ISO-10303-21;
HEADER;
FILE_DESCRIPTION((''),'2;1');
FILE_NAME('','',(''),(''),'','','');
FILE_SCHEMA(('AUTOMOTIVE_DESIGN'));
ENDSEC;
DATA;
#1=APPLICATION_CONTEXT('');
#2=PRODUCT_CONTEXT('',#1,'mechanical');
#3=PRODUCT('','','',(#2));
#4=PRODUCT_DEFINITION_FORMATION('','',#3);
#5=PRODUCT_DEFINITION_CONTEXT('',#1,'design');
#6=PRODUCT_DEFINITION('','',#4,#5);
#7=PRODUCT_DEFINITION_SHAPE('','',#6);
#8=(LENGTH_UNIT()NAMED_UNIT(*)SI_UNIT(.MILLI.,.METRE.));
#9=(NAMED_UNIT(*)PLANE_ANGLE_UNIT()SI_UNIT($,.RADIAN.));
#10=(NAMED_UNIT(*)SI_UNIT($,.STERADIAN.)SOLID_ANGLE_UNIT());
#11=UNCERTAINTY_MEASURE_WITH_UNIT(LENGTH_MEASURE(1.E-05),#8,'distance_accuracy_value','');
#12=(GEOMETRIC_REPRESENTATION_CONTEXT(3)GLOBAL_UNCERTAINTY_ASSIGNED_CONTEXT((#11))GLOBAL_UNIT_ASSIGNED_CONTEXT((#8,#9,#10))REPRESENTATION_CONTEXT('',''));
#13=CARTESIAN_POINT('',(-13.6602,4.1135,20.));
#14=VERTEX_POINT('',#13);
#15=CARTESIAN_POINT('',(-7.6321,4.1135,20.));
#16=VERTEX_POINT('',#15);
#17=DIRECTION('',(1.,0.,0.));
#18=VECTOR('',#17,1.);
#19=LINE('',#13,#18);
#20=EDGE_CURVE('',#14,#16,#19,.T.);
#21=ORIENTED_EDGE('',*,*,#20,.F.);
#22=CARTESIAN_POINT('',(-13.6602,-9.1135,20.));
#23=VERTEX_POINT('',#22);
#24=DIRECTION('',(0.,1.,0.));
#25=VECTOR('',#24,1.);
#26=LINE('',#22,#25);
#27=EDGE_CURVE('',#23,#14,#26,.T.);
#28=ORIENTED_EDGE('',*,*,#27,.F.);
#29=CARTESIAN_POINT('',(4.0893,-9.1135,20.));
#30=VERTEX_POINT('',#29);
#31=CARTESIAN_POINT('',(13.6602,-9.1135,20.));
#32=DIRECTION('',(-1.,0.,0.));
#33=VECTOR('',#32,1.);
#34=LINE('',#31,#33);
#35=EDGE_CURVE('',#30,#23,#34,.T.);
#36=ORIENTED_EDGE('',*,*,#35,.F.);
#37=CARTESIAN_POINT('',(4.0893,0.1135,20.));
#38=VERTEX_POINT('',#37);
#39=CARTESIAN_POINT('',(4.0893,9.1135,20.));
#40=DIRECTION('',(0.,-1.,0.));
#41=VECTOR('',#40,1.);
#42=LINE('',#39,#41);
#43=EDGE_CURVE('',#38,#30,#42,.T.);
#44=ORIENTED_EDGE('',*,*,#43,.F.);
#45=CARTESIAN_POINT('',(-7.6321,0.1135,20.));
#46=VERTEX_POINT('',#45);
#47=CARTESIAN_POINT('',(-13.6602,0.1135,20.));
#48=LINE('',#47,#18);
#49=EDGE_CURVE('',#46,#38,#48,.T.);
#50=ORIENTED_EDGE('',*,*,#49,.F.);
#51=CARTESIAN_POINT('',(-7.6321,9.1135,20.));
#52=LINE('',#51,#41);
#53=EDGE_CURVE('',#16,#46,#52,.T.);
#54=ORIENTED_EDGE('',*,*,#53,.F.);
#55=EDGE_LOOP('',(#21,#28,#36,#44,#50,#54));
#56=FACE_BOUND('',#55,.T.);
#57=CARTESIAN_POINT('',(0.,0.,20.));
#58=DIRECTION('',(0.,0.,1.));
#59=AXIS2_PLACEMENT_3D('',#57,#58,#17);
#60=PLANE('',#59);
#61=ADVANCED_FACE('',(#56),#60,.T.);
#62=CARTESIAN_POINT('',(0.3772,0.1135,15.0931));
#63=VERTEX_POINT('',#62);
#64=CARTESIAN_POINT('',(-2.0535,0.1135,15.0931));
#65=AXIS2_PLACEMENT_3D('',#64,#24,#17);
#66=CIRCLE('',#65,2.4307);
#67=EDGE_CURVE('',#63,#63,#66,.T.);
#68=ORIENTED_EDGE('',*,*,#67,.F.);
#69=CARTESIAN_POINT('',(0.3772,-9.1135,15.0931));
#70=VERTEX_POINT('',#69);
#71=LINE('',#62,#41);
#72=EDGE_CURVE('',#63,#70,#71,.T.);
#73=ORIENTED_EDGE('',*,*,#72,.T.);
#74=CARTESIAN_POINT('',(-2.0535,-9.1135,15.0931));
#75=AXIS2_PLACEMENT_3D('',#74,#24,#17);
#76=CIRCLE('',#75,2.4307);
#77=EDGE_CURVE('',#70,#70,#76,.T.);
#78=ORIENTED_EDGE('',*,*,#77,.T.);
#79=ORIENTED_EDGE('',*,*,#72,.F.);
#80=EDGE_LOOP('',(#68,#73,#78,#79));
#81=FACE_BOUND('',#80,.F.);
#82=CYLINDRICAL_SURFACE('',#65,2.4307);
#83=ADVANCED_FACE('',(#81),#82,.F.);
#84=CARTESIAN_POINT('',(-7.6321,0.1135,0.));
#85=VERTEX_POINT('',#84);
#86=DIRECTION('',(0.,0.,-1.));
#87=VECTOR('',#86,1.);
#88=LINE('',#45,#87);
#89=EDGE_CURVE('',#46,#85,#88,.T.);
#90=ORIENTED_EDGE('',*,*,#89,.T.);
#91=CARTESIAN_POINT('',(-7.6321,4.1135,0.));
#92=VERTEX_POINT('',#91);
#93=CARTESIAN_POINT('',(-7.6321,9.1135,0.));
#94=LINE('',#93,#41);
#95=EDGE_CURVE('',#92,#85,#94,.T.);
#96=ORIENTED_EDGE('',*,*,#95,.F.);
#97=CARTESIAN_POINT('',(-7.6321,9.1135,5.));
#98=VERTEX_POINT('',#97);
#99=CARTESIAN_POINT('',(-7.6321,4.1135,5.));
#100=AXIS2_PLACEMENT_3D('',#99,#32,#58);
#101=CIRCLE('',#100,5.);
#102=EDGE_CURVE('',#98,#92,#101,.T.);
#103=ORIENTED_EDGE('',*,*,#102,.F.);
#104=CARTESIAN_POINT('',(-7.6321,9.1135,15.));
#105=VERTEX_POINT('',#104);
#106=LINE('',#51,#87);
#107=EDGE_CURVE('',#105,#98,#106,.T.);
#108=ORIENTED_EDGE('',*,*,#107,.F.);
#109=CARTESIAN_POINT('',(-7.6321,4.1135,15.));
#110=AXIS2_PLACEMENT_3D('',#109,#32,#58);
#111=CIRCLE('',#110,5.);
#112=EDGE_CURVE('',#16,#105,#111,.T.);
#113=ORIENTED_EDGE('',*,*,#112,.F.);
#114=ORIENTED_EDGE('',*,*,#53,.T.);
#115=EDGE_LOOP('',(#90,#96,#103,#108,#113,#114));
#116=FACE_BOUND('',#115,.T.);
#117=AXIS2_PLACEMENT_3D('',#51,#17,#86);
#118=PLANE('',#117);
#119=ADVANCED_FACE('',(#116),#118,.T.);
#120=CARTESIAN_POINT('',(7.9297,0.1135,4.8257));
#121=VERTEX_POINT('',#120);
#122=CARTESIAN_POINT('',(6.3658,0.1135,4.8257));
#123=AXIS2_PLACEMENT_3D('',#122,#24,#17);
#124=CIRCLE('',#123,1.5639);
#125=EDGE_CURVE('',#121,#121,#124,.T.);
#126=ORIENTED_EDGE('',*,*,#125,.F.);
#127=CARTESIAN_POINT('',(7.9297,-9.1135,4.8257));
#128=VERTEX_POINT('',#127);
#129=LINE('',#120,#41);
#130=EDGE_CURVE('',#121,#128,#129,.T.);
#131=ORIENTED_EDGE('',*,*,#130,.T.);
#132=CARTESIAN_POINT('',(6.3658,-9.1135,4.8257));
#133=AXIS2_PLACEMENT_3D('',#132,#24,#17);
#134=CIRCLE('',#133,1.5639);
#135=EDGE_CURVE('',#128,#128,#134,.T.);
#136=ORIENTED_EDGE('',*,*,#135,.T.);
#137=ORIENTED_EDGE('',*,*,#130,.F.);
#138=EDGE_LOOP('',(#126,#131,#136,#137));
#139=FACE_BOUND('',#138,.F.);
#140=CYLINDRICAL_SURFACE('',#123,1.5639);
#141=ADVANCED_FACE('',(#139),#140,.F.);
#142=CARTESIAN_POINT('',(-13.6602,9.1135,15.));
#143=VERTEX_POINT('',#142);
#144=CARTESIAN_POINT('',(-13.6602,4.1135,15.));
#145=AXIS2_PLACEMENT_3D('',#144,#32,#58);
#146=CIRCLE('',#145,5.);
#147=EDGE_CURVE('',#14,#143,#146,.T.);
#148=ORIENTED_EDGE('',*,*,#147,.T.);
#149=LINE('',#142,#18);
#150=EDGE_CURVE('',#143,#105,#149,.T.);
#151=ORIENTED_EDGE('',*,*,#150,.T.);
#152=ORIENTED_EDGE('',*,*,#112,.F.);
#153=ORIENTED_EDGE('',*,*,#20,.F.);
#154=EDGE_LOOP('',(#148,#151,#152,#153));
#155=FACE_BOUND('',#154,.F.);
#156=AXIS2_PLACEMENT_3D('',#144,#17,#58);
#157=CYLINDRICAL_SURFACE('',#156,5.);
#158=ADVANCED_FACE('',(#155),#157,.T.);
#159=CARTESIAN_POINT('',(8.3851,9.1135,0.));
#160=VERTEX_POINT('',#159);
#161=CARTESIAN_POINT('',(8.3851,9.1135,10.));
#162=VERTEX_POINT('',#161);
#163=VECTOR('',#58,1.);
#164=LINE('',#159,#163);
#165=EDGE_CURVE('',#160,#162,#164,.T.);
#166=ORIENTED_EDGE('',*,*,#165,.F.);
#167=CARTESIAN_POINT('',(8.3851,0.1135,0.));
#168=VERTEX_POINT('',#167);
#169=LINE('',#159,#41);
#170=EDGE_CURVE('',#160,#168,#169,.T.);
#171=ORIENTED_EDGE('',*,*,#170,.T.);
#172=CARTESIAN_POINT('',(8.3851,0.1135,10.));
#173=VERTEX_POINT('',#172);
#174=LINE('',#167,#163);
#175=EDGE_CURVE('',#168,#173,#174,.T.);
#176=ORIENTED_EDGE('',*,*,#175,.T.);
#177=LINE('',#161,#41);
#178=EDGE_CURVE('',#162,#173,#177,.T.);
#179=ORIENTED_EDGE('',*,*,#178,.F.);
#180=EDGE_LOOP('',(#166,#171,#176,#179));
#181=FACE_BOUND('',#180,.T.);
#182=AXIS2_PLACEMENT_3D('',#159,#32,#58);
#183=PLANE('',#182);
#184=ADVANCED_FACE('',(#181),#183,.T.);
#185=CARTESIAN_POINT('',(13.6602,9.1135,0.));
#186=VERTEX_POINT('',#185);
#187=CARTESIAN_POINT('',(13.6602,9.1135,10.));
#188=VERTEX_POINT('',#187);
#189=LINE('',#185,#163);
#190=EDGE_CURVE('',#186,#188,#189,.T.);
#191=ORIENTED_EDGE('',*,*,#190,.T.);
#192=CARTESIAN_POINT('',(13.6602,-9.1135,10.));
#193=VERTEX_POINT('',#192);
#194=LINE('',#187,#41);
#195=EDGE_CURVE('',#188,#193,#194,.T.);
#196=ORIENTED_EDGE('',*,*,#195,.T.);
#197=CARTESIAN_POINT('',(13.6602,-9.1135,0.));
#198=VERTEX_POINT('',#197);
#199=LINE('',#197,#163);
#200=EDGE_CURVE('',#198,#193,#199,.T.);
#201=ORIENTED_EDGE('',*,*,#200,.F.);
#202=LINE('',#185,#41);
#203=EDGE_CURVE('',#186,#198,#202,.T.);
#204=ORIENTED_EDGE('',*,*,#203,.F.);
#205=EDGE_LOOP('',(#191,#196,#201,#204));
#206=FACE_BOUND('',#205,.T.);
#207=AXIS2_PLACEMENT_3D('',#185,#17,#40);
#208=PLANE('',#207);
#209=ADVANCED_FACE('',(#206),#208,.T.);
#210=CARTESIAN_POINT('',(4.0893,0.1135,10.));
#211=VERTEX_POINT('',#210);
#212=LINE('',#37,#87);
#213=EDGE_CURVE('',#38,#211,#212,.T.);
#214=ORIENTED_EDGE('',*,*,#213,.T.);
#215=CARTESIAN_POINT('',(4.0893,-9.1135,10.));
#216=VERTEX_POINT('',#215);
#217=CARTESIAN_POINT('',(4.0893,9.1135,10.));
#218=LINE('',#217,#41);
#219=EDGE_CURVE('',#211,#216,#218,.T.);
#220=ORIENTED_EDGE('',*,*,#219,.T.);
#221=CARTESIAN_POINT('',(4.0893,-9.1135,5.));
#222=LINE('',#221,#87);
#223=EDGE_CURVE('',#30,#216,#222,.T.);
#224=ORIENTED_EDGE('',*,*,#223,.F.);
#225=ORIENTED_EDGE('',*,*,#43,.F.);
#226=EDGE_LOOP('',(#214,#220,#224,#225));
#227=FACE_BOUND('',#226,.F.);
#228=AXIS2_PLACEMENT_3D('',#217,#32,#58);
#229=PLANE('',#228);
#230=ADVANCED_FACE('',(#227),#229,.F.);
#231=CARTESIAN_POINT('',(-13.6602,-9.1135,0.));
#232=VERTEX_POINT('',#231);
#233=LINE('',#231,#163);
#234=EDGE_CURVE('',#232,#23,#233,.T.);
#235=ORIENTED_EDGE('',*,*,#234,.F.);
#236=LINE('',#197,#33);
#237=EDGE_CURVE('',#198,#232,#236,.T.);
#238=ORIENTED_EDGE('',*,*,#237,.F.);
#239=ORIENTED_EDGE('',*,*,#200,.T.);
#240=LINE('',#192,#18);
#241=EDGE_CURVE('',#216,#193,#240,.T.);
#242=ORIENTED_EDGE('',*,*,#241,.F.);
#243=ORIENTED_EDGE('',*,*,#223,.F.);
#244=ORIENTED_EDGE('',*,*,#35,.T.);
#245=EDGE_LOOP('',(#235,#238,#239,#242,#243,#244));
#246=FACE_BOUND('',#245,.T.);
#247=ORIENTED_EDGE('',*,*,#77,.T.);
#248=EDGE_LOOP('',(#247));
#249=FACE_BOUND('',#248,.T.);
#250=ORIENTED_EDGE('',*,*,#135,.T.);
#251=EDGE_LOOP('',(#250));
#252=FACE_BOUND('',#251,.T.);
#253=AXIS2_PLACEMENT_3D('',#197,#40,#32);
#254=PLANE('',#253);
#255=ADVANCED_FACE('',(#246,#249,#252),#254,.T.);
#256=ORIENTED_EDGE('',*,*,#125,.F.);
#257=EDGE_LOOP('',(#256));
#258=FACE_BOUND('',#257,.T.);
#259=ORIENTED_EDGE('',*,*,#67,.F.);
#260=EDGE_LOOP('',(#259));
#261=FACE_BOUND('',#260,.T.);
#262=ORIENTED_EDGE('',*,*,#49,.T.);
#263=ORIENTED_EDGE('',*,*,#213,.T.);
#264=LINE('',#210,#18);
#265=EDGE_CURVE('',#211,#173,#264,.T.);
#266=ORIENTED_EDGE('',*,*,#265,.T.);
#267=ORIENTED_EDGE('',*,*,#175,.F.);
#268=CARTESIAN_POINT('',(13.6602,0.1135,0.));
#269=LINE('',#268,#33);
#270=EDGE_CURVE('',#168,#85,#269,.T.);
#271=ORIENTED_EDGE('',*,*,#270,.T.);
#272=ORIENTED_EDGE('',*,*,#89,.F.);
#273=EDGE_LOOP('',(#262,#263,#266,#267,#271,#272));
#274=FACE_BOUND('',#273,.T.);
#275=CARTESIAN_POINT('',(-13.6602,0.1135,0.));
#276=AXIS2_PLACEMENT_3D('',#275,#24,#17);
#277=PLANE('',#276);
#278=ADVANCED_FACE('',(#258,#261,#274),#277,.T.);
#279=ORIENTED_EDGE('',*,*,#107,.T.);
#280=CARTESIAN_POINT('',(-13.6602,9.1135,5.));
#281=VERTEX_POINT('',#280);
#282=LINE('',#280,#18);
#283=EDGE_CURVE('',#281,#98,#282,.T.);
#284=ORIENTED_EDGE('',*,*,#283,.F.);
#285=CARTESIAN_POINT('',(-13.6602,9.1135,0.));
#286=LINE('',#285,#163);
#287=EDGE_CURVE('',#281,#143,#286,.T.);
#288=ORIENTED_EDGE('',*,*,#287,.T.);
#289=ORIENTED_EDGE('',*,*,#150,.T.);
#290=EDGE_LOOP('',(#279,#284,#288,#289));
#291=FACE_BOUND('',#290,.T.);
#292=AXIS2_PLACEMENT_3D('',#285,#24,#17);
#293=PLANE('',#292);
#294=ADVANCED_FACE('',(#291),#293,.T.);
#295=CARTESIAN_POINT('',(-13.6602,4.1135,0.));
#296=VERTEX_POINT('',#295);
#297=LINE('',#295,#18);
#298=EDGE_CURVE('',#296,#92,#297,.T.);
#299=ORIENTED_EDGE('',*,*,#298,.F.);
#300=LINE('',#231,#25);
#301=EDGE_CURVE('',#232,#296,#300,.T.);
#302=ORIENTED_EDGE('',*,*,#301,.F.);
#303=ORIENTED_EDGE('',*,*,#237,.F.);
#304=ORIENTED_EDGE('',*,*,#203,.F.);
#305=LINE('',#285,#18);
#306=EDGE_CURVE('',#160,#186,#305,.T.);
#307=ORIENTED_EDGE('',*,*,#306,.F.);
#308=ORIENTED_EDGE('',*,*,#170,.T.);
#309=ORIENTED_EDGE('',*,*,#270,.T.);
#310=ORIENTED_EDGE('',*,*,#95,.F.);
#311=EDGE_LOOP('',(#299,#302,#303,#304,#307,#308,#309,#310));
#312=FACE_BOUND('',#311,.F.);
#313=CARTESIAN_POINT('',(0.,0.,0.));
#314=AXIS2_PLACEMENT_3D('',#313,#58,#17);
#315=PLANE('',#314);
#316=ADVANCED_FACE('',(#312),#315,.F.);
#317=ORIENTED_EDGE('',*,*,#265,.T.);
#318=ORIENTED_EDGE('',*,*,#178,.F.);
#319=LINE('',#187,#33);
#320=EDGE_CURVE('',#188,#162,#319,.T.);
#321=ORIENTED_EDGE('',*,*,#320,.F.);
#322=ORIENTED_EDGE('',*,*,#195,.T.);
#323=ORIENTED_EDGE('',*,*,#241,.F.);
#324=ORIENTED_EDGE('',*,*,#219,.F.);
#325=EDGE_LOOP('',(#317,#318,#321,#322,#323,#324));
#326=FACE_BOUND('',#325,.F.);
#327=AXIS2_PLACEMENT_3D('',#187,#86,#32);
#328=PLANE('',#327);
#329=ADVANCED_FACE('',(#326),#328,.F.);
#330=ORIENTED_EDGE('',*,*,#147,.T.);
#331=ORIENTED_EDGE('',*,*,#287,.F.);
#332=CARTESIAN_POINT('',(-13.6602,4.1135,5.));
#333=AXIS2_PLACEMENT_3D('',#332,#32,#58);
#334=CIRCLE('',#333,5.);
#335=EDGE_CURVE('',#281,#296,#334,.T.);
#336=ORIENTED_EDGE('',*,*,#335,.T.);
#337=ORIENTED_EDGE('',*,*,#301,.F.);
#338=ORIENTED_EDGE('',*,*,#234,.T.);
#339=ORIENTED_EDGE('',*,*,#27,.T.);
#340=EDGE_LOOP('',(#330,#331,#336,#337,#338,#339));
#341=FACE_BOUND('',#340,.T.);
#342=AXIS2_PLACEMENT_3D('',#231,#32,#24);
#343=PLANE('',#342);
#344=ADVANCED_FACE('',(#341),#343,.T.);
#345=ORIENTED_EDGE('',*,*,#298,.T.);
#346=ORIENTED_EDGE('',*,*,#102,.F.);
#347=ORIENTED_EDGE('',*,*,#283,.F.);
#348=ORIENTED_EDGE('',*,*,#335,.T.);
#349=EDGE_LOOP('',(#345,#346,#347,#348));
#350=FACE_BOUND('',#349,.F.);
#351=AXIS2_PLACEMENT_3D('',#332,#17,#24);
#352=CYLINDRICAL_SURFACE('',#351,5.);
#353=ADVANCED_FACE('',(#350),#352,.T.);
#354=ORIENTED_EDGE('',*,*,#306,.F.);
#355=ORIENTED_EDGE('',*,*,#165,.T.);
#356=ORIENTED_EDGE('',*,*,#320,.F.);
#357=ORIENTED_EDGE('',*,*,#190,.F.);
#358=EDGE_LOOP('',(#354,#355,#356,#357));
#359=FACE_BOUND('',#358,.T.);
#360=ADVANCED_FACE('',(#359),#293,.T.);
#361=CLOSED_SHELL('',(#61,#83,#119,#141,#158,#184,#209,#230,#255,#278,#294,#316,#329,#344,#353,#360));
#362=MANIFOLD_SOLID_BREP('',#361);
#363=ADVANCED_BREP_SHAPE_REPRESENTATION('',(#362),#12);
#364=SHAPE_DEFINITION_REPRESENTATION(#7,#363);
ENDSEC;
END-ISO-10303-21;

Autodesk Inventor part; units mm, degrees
ref_plane "YZ Plane" through (0, 0, 0) normal (1, 0, 0) x (0, 1, 0)
ref_plane "XZ Plane" through (0, 0, 0) normal (0, 1, 0) x (-1, 0, 0)
ref_plane "XY Plane" through (0, 0, 0) normal (0, 0, 1) x (1, 0, 0)
sketch "스케치1" plane through (0, 0, 0) normal (0, 0, 1) x (1, 0, 0)
  line L0 (13.6602, -9.1135) -> (-13.6602, -9.1135)
  line L1 (-13.6602, -9.1135) -> (-13.6602, 9.1135)
  line L2 (-13.6602, 9.1135) -> (13.6602, 9.1135)
  line L3 (13.6602, 9.1135) -> (13.6602, -9.1135)
  line L4 (13.6602, -9.1135) -> (-13.6602, 9.1135) construction
  line L5 (-13.6602, -9.1135) -> (13.6602, 9.1135) construction
  point P0 (0, 0)
extrude "돌출1" add sketch "스케치1" along normal blind 20
sketch "스케치2" plane through (-13.6602, 9.1135, 0) normal (0, 1, 0) x (1, 0, 0)
  line L0 (0, -20) -> (27.3204, -20) projected
  line L1 (27.3204, 0) -> (27.3204, -20) projected
  line L2 (17.7495, -20) -> (27.3204, -20)
  line L3 (27.3204, -20) -> (27.3204, -10)
  line L4 (27.3204, -10) -> (17.7495, -10)
  line L5 (17.7495, -10) -> (17.7495, -20)
  point P0 (13.6602, 0)
extrude "돌출2" cut sketch "스케치2" against normal blind 20
sketch "스케치3" plane through (-13.6602, 9.1135, 0) normal (0, 1, 0) x (1, 0, 0)
  point P0 (13.6602, 0)
sketch "스케치4" plane through (-13.6602, 9.1135, 0) normal (0, 1, 0) x (1, 0, 0)
  line L0 (0, -20) -> (17.7495, -20) projected
  line L1 (6.0281, -20) -> (6.0281, 0)
  line L2 (27.3204, 0) -> (0, 0) projected
  line L3 (22.0453, 0) -> (22.0453, -10)
  line L4 (17.7495, -10) -> (27.3204, -10) projected
  line L5 (17.7495, -20) -> (17.7495, -10) projected
  line L6 (17.7495, -10) -> (17.7495, -20)
  line L7 (17.7495, -20) -> (6.0281, -20)
  point P0 (13.6602, 0)
extrude "돌출3" cut sketch "스케치4" against normal blind 9
sketch "스케치5" plane through (-13.6602, 0.1135, 0) normal (0, 1, 0) x (1, 0, 0)
  circle A0 centre (20.026, -4.8257) radius 1.5639
  circle A1 centre (11.6067, -15.0931) radius 2.4307
  point P0 (13.6602, 0)
extrude "돌출4" cut sketch "스케치5" against normal blind 10
fillet "모깎기1" radius 5 1 edges at (-10.6462, 9.1135, 20)
fillet "모깎기2" radius 5 1 edges at (-10.6462, 9.1135, 0)
properties part number "240503_3Dsketch11"
